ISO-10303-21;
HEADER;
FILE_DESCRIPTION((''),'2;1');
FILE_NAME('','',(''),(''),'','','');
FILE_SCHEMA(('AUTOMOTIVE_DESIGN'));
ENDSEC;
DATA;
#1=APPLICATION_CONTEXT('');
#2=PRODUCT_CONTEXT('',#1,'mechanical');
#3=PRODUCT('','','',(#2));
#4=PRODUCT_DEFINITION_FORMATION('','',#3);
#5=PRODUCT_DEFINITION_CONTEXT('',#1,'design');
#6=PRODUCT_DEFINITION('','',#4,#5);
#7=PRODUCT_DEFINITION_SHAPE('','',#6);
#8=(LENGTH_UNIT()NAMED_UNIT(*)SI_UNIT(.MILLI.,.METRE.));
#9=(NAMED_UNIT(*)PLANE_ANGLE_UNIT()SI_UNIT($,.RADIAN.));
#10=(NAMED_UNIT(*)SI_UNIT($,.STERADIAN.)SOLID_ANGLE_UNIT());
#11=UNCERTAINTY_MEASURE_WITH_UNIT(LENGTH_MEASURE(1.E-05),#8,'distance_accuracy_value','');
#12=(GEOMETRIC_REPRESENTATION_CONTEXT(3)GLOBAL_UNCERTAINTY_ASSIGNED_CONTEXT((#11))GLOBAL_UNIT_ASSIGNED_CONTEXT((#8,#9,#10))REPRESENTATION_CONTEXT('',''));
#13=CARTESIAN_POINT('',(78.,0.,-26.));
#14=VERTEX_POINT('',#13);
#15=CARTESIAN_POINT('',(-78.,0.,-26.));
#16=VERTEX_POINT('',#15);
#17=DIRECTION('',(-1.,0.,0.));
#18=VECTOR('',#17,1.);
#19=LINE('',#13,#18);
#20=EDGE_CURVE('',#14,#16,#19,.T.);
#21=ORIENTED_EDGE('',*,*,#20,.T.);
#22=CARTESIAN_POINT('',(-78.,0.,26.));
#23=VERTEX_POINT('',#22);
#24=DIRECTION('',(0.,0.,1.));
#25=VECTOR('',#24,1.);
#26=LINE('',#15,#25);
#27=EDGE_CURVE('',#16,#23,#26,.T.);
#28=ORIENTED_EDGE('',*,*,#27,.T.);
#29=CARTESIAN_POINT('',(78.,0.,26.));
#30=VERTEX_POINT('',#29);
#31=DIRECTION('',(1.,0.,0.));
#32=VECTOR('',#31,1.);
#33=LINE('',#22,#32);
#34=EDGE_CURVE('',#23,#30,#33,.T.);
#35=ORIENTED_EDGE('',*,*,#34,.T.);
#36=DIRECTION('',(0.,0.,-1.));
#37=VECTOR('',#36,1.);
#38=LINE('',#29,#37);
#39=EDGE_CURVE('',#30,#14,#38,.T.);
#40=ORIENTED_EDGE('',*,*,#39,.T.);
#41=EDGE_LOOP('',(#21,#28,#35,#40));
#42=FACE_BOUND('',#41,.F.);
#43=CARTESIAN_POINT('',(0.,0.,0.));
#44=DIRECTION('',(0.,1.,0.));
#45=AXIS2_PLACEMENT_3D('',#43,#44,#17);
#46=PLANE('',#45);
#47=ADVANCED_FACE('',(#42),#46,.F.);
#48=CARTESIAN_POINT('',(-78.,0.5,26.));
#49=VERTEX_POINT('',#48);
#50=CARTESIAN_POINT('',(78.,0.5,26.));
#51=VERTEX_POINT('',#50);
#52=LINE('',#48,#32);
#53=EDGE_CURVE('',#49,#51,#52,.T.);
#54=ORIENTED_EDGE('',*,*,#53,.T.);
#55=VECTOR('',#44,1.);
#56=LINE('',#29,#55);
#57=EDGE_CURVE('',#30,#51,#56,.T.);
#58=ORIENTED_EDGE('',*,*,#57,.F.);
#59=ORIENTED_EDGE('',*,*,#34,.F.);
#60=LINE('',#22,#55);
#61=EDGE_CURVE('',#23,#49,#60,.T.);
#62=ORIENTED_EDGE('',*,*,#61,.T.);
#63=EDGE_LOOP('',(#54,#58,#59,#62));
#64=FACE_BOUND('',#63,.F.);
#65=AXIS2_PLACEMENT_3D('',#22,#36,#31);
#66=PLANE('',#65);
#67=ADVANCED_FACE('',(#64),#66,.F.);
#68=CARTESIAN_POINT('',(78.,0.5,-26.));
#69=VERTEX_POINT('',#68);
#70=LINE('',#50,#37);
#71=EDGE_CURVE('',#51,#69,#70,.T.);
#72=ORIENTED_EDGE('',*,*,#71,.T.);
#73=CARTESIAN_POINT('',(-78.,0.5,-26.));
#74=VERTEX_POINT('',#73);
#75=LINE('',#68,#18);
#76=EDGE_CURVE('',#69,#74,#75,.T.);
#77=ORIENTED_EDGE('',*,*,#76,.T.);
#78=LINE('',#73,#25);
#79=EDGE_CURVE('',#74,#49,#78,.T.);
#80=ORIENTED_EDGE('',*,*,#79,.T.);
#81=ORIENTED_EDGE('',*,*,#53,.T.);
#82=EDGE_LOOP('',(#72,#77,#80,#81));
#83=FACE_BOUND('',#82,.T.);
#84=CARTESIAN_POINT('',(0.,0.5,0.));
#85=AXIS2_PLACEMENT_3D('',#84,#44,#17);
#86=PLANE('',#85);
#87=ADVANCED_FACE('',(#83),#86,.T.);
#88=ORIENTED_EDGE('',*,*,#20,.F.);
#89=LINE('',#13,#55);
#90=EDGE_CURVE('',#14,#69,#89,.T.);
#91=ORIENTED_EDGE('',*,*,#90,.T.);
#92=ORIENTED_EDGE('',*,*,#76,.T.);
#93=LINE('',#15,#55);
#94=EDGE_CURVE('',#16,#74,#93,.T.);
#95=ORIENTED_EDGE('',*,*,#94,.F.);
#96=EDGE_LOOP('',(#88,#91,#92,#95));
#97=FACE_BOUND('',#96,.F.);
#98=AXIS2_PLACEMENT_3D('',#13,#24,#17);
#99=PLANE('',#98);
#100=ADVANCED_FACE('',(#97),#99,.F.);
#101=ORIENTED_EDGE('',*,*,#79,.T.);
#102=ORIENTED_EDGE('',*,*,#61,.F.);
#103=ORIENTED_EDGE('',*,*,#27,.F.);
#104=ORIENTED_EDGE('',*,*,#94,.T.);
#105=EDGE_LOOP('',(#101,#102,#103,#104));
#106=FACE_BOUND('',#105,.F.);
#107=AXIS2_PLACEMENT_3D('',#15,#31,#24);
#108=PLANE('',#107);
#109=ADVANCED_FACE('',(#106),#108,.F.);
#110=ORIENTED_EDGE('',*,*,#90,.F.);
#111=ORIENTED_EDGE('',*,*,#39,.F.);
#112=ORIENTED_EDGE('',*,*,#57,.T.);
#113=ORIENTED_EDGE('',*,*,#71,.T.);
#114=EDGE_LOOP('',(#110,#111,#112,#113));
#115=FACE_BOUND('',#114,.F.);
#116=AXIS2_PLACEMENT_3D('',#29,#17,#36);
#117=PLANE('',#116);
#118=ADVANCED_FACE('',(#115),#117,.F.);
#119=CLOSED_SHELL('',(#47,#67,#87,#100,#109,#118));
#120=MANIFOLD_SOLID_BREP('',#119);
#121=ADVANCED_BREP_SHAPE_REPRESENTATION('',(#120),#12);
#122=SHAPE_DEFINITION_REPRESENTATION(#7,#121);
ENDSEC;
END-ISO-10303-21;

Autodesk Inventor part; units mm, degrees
ref_plane "YZ Plane" through (0, 0, 0) normal (1, 0, 0) x (0, 1, 0)
ref_plane "XZ Plane" through (0, 0, 0) normal (0, 1, 0) x (-1, 0, 0)
ref_plane "XY Plane" through (0, 0, 0) normal (0, 0, 1) x (1, 0, 0)
sketch "Sketch1" plane through (0, 0, 0) normal (0, 1, 0) x (-1, 0, 0)
  line L0 (-78, -26) -> (78, -26)
  line L1 (78, -26) -> (78, 26)
  line L2 (78, 26) -> (-78, 26)
  line L3 (-78, 26) -> (-78, -26)
  line L4 (-78, -26) -> (78, 26) construction
  line L5 (78, -26) -> (-78, 26) construction
  point P0 (0, 0)
  dimension "d0" = 52
  dimension "d1" = 156
extrude "Extrusion1" add sketch "Sketch1" along normal blind 0.5
properties part number "Model2"
